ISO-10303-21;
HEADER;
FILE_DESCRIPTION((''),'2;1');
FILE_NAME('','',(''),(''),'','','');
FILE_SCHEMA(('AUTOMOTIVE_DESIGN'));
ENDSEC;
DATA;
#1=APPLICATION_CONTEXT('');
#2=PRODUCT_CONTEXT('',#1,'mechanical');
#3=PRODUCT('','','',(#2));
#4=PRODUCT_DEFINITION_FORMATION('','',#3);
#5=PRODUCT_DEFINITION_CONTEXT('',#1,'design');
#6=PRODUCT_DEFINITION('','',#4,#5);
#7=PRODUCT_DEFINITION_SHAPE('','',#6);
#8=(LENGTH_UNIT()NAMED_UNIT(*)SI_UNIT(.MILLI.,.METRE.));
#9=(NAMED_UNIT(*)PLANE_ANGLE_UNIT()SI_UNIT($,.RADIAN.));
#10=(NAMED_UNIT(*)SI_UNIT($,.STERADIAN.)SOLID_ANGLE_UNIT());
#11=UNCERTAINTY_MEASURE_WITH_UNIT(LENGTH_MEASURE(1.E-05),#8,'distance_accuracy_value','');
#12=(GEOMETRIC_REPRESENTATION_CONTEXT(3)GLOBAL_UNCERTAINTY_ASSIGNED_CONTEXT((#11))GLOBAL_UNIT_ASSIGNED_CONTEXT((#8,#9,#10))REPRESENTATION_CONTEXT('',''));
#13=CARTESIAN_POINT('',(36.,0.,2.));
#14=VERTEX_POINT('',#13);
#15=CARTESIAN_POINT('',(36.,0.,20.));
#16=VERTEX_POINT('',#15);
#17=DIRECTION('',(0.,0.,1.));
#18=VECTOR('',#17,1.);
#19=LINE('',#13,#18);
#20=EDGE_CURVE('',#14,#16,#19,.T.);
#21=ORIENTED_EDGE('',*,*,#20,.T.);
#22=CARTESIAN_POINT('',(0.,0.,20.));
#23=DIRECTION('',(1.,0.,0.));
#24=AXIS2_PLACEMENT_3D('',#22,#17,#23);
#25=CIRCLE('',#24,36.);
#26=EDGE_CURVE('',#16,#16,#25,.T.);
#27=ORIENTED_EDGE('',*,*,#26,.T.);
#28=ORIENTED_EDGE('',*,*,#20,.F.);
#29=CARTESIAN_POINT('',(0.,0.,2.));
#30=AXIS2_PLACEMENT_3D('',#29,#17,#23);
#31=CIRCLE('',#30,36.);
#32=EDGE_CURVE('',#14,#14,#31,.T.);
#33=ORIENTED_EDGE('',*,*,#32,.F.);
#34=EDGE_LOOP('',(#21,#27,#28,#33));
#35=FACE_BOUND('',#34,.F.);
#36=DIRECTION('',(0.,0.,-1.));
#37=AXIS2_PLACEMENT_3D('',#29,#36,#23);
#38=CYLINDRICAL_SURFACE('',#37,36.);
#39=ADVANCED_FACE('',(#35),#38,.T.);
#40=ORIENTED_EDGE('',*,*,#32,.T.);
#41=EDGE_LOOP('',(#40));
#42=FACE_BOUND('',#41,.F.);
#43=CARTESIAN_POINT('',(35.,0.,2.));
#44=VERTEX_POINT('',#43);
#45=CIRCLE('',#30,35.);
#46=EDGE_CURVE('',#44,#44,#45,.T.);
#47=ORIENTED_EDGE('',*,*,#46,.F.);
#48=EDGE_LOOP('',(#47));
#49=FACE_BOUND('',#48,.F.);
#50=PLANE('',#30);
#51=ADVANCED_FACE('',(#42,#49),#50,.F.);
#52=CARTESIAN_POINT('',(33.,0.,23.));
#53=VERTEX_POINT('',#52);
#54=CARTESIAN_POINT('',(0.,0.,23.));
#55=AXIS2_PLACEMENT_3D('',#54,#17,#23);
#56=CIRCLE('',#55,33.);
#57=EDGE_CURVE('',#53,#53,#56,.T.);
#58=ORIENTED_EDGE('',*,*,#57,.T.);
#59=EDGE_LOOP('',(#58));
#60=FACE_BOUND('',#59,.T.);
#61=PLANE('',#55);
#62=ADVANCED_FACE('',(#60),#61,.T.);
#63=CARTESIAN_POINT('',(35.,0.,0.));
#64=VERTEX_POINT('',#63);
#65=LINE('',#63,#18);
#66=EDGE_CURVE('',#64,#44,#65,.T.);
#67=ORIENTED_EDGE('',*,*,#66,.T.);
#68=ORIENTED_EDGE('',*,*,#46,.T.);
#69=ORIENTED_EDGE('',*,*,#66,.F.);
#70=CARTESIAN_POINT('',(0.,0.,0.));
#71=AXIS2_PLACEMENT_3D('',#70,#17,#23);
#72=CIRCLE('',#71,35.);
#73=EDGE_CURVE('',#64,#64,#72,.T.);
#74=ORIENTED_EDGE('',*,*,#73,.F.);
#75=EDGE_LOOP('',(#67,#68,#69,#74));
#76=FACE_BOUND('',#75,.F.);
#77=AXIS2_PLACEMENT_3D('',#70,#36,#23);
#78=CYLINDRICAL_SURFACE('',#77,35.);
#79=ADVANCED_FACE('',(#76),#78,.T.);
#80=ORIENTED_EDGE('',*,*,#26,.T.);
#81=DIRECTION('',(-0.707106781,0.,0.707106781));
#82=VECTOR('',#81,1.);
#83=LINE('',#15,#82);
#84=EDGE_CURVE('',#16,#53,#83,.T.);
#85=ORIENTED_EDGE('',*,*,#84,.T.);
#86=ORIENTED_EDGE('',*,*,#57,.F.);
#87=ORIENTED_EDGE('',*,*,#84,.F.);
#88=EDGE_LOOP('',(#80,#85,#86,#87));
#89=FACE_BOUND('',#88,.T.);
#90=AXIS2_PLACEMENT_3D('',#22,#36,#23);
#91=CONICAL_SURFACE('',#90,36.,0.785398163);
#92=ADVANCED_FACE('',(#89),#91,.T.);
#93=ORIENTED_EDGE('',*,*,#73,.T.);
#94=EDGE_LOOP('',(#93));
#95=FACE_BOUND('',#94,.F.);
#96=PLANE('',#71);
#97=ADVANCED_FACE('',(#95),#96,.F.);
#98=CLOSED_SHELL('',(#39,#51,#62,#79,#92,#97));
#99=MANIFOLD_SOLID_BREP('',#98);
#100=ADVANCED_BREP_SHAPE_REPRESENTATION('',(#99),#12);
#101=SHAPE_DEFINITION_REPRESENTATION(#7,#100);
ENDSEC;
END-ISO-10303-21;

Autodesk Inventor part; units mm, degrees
ref_plane "YZ Plane" through (0, 0, 0) normal (1, 0, 0) x (0, 1, 0)
ref_plane "XZ Plane" through (0, 0, 0) normal (0, 1, 0) x (-1, 0, 0)
ref_plane "XY Plane" through (0, 0, 0) normal (0, 0, 1) x (1, 0, 0)
sketch "Sketch1" plane through (0, 0, 0) normal (0, 0, 1) x (1, 0, 0)
  circle A0 centre (0, 0) radius 35
  dimension "d0" = 70
extrude "Extrusion1" add sketch "Sketch1" along normal blind 2
sketch "Sketch2" plane through (0, 0, 2) normal (0, 0, 1) x (1, 0, 0)
  circle A0 centre (0, 0) radius 36
  dimension "d3" = 72
extrude "Extrusion2" add sketch "Sketch2" along normal blind 21
chamfer "Chamfer1" distance 3 angle 45 1 edges at (-36, 0, 23)
properties part number "LIdar_p2"
